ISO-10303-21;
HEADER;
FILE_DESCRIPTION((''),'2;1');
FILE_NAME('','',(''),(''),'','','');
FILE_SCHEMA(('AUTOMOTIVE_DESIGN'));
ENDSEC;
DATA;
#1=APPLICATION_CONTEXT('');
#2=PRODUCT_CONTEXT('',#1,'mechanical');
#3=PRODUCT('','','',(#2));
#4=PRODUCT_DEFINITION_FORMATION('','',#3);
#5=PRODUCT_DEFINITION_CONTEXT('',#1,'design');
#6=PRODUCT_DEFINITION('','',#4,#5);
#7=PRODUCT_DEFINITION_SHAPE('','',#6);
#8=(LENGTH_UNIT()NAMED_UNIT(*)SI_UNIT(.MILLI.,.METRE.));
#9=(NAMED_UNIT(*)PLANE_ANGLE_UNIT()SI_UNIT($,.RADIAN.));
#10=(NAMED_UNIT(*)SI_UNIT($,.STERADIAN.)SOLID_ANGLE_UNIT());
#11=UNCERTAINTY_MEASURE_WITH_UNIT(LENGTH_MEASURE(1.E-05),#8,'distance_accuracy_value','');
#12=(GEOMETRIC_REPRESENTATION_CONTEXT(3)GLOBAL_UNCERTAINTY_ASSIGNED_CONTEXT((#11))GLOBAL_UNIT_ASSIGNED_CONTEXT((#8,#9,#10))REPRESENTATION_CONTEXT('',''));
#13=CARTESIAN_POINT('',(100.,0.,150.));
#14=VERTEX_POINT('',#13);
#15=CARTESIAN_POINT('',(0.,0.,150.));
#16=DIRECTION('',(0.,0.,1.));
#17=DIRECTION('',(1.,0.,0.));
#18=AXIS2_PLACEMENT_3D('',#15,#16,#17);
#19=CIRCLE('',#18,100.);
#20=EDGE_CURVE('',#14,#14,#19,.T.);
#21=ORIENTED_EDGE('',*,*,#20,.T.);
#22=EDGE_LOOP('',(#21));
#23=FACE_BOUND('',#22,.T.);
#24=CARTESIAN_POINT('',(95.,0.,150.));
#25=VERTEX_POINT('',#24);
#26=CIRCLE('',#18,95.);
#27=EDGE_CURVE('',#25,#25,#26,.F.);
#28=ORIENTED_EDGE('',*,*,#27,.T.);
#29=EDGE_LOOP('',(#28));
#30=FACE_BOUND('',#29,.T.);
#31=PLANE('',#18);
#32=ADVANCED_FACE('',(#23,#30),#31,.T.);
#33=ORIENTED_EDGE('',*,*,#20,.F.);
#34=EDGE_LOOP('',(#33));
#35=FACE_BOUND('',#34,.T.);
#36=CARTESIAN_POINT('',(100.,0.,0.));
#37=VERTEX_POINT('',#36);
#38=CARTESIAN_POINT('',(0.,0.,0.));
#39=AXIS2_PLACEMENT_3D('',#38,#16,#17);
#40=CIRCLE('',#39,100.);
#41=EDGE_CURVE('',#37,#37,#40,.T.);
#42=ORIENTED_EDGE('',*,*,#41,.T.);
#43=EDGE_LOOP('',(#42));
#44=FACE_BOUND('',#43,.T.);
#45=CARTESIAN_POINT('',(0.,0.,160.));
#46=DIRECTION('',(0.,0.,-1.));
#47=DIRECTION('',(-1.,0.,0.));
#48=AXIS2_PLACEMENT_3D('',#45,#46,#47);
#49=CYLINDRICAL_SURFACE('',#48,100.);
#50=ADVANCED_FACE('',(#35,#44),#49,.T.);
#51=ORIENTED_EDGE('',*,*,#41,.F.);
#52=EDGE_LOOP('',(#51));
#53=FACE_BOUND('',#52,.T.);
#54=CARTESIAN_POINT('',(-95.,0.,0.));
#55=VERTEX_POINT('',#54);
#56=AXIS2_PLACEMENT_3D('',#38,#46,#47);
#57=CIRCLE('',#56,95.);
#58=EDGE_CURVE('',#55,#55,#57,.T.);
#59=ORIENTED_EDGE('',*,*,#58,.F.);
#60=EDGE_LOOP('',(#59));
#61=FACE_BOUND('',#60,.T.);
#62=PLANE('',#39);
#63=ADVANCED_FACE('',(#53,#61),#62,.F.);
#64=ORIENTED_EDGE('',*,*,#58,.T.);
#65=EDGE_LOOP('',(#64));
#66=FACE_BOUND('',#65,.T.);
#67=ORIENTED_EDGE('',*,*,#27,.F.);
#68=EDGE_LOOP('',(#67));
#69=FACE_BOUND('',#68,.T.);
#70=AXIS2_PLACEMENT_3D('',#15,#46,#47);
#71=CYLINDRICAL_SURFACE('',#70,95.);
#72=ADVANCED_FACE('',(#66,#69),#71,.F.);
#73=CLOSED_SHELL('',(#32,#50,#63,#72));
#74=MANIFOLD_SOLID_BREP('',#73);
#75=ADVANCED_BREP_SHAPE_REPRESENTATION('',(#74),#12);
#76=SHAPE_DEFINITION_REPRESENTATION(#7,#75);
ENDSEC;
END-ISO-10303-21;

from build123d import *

# Parameters (mm, degrees)
SKETCH1_R           = 100
BOSS_EXTRUDE1_DEPTH = 160
SKETCH2_R           = 95
CUT_EXTRUDE1_DEPTH  = 150
SKETCH3_R           = 10
CUT_EXTRUDE2_DEPTH  = 150
CUT_EXTRUDE4_START  = -10
SKETCH8_R           = 100
CUT_EXTRUDE4_DEPTH  = 10


with BuildPart() as part:
    # Sketch1 → Boss-Extrude1 (new body)
    with BuildSketch(Plane.XY):
        Circle(SKETCH1_R)
    extrude(amount=BOSS_EXTRUDE1_DEPTH)

    # Sketch2 → Cut-Extrude1 (cut)
    with BuildSketch(Plane(origin=(0, 0, 0), x_dir=(-1, 0, 0), z_dir=(0, 0, -1))):
        Circle(SKETCH2_R)
    extrude(amount=-CUT_EXTRUDE1_DEPTH, mode=Mode.SUBTRACT)

    # Sketch3 → Cut-Extrude2 (cut)
    with BuildSketch(Plane.XY.offset(160)):
        Circle(SKETCH3_R)
    extrude(amount=-CUT_EXTRUDE2_DEPTH, mode=Mode.SUBTRACT)

    # Sketch8 → Cut-Extrude4 (cut)
    with BuildSketch(Plane.XY.offset(160).offset(CUT_EXTRUDE4_START)):
        Circle(SKETCH8_R)
    extrude(amount=CUT_EXTRUDE4_DEPTH, mode=Mode.SUBTRACT)


solid = part.part
